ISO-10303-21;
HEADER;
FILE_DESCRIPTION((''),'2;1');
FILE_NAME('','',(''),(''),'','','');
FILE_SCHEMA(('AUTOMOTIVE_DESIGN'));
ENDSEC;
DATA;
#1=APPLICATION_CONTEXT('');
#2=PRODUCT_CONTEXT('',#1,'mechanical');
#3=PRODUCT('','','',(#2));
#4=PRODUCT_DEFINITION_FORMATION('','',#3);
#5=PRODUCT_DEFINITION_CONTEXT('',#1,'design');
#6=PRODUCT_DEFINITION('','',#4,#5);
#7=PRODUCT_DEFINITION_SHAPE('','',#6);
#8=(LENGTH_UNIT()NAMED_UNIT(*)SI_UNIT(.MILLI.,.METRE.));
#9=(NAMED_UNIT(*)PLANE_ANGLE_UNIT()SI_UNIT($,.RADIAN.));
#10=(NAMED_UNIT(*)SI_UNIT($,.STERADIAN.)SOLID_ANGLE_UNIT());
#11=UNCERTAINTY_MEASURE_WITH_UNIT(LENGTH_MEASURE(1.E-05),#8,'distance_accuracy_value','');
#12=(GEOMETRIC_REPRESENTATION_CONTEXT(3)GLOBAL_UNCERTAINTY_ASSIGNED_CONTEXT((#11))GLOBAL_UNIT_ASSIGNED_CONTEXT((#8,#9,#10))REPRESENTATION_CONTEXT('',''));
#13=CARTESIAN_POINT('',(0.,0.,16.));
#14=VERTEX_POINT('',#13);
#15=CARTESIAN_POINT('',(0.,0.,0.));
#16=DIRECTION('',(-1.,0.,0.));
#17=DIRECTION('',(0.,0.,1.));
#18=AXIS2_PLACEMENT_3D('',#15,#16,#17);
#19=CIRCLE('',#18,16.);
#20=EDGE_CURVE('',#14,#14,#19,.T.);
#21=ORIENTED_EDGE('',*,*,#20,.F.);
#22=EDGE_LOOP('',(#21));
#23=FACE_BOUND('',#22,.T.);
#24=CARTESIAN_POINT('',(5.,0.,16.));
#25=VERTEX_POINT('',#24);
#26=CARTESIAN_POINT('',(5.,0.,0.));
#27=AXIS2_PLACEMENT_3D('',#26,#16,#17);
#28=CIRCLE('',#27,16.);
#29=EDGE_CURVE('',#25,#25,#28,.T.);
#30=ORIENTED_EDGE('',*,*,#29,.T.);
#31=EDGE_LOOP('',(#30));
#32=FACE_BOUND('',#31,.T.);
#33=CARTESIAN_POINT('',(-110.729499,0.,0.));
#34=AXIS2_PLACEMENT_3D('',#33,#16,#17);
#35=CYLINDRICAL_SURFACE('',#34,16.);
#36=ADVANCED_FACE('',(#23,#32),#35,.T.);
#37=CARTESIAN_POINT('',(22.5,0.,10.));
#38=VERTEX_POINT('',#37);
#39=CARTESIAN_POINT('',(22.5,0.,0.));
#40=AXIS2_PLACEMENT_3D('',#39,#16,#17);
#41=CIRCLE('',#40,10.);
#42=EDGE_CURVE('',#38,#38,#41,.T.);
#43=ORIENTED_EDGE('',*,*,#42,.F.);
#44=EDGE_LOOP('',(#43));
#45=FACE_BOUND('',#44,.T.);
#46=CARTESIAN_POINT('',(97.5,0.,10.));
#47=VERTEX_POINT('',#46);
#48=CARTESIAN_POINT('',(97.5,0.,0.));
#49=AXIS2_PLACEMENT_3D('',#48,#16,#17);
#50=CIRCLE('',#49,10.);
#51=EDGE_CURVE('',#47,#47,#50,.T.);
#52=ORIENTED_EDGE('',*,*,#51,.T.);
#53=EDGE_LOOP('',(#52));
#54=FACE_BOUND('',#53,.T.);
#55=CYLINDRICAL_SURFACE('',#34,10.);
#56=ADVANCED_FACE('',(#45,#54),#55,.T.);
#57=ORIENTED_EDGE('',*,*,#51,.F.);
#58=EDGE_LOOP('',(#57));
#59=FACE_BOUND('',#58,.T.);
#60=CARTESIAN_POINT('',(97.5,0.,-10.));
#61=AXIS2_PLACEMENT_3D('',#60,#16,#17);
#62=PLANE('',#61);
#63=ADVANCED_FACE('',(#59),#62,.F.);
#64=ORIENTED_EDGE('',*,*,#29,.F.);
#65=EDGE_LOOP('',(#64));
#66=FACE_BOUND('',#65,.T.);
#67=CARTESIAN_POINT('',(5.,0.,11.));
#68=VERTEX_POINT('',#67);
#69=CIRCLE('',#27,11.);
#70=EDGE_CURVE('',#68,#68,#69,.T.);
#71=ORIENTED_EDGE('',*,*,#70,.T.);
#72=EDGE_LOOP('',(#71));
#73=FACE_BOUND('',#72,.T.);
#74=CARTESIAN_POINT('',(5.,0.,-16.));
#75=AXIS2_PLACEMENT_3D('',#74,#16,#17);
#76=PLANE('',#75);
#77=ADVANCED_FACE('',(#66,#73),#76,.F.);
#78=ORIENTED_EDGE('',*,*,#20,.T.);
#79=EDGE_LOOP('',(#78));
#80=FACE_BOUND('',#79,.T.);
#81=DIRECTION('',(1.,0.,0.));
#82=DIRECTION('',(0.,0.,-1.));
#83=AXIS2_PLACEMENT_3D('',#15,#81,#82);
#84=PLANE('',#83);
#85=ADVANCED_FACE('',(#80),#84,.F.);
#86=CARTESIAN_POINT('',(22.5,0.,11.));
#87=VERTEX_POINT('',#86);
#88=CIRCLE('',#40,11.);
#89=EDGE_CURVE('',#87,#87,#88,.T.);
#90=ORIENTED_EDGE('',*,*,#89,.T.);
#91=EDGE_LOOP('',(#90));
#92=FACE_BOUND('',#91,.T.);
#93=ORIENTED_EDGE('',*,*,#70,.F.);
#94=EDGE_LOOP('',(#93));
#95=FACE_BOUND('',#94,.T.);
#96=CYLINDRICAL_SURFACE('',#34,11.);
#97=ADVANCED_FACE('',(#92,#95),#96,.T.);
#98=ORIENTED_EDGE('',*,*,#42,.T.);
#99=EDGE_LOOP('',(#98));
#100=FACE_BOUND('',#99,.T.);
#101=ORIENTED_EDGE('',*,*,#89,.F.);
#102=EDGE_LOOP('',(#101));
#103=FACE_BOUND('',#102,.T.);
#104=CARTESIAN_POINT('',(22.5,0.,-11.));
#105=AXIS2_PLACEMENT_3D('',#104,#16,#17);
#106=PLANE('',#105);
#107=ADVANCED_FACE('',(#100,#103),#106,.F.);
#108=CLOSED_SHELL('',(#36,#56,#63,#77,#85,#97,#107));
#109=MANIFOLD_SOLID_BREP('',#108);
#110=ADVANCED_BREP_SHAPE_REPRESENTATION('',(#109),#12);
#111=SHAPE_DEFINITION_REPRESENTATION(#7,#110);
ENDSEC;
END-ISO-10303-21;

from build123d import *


with BuildPart() as part:
    # 草图1 → 旋转1 (revolve)
    with BuildSketch(Plane(origin=(0, 0, 0), x_dir=(1, 0, 0), z_dir=(0, 1, 0)), mode=Mode.PRIVATE) as revolve_1_sk:
        Polygon((0, 0), (0, 16), (5, 16), (5, 11), (22.5, 11), (22.5, 10), (97.5, 10), (97.5, 0), align=None)
    revolve(revolve_1_sk.sketch.rotate(Axis((-110.729499132, 0, 0), (1, 0, 0)), 180), axis=Axis((-110.729499132, 0, 0), (1, 0, 0)))


solid = part.part
